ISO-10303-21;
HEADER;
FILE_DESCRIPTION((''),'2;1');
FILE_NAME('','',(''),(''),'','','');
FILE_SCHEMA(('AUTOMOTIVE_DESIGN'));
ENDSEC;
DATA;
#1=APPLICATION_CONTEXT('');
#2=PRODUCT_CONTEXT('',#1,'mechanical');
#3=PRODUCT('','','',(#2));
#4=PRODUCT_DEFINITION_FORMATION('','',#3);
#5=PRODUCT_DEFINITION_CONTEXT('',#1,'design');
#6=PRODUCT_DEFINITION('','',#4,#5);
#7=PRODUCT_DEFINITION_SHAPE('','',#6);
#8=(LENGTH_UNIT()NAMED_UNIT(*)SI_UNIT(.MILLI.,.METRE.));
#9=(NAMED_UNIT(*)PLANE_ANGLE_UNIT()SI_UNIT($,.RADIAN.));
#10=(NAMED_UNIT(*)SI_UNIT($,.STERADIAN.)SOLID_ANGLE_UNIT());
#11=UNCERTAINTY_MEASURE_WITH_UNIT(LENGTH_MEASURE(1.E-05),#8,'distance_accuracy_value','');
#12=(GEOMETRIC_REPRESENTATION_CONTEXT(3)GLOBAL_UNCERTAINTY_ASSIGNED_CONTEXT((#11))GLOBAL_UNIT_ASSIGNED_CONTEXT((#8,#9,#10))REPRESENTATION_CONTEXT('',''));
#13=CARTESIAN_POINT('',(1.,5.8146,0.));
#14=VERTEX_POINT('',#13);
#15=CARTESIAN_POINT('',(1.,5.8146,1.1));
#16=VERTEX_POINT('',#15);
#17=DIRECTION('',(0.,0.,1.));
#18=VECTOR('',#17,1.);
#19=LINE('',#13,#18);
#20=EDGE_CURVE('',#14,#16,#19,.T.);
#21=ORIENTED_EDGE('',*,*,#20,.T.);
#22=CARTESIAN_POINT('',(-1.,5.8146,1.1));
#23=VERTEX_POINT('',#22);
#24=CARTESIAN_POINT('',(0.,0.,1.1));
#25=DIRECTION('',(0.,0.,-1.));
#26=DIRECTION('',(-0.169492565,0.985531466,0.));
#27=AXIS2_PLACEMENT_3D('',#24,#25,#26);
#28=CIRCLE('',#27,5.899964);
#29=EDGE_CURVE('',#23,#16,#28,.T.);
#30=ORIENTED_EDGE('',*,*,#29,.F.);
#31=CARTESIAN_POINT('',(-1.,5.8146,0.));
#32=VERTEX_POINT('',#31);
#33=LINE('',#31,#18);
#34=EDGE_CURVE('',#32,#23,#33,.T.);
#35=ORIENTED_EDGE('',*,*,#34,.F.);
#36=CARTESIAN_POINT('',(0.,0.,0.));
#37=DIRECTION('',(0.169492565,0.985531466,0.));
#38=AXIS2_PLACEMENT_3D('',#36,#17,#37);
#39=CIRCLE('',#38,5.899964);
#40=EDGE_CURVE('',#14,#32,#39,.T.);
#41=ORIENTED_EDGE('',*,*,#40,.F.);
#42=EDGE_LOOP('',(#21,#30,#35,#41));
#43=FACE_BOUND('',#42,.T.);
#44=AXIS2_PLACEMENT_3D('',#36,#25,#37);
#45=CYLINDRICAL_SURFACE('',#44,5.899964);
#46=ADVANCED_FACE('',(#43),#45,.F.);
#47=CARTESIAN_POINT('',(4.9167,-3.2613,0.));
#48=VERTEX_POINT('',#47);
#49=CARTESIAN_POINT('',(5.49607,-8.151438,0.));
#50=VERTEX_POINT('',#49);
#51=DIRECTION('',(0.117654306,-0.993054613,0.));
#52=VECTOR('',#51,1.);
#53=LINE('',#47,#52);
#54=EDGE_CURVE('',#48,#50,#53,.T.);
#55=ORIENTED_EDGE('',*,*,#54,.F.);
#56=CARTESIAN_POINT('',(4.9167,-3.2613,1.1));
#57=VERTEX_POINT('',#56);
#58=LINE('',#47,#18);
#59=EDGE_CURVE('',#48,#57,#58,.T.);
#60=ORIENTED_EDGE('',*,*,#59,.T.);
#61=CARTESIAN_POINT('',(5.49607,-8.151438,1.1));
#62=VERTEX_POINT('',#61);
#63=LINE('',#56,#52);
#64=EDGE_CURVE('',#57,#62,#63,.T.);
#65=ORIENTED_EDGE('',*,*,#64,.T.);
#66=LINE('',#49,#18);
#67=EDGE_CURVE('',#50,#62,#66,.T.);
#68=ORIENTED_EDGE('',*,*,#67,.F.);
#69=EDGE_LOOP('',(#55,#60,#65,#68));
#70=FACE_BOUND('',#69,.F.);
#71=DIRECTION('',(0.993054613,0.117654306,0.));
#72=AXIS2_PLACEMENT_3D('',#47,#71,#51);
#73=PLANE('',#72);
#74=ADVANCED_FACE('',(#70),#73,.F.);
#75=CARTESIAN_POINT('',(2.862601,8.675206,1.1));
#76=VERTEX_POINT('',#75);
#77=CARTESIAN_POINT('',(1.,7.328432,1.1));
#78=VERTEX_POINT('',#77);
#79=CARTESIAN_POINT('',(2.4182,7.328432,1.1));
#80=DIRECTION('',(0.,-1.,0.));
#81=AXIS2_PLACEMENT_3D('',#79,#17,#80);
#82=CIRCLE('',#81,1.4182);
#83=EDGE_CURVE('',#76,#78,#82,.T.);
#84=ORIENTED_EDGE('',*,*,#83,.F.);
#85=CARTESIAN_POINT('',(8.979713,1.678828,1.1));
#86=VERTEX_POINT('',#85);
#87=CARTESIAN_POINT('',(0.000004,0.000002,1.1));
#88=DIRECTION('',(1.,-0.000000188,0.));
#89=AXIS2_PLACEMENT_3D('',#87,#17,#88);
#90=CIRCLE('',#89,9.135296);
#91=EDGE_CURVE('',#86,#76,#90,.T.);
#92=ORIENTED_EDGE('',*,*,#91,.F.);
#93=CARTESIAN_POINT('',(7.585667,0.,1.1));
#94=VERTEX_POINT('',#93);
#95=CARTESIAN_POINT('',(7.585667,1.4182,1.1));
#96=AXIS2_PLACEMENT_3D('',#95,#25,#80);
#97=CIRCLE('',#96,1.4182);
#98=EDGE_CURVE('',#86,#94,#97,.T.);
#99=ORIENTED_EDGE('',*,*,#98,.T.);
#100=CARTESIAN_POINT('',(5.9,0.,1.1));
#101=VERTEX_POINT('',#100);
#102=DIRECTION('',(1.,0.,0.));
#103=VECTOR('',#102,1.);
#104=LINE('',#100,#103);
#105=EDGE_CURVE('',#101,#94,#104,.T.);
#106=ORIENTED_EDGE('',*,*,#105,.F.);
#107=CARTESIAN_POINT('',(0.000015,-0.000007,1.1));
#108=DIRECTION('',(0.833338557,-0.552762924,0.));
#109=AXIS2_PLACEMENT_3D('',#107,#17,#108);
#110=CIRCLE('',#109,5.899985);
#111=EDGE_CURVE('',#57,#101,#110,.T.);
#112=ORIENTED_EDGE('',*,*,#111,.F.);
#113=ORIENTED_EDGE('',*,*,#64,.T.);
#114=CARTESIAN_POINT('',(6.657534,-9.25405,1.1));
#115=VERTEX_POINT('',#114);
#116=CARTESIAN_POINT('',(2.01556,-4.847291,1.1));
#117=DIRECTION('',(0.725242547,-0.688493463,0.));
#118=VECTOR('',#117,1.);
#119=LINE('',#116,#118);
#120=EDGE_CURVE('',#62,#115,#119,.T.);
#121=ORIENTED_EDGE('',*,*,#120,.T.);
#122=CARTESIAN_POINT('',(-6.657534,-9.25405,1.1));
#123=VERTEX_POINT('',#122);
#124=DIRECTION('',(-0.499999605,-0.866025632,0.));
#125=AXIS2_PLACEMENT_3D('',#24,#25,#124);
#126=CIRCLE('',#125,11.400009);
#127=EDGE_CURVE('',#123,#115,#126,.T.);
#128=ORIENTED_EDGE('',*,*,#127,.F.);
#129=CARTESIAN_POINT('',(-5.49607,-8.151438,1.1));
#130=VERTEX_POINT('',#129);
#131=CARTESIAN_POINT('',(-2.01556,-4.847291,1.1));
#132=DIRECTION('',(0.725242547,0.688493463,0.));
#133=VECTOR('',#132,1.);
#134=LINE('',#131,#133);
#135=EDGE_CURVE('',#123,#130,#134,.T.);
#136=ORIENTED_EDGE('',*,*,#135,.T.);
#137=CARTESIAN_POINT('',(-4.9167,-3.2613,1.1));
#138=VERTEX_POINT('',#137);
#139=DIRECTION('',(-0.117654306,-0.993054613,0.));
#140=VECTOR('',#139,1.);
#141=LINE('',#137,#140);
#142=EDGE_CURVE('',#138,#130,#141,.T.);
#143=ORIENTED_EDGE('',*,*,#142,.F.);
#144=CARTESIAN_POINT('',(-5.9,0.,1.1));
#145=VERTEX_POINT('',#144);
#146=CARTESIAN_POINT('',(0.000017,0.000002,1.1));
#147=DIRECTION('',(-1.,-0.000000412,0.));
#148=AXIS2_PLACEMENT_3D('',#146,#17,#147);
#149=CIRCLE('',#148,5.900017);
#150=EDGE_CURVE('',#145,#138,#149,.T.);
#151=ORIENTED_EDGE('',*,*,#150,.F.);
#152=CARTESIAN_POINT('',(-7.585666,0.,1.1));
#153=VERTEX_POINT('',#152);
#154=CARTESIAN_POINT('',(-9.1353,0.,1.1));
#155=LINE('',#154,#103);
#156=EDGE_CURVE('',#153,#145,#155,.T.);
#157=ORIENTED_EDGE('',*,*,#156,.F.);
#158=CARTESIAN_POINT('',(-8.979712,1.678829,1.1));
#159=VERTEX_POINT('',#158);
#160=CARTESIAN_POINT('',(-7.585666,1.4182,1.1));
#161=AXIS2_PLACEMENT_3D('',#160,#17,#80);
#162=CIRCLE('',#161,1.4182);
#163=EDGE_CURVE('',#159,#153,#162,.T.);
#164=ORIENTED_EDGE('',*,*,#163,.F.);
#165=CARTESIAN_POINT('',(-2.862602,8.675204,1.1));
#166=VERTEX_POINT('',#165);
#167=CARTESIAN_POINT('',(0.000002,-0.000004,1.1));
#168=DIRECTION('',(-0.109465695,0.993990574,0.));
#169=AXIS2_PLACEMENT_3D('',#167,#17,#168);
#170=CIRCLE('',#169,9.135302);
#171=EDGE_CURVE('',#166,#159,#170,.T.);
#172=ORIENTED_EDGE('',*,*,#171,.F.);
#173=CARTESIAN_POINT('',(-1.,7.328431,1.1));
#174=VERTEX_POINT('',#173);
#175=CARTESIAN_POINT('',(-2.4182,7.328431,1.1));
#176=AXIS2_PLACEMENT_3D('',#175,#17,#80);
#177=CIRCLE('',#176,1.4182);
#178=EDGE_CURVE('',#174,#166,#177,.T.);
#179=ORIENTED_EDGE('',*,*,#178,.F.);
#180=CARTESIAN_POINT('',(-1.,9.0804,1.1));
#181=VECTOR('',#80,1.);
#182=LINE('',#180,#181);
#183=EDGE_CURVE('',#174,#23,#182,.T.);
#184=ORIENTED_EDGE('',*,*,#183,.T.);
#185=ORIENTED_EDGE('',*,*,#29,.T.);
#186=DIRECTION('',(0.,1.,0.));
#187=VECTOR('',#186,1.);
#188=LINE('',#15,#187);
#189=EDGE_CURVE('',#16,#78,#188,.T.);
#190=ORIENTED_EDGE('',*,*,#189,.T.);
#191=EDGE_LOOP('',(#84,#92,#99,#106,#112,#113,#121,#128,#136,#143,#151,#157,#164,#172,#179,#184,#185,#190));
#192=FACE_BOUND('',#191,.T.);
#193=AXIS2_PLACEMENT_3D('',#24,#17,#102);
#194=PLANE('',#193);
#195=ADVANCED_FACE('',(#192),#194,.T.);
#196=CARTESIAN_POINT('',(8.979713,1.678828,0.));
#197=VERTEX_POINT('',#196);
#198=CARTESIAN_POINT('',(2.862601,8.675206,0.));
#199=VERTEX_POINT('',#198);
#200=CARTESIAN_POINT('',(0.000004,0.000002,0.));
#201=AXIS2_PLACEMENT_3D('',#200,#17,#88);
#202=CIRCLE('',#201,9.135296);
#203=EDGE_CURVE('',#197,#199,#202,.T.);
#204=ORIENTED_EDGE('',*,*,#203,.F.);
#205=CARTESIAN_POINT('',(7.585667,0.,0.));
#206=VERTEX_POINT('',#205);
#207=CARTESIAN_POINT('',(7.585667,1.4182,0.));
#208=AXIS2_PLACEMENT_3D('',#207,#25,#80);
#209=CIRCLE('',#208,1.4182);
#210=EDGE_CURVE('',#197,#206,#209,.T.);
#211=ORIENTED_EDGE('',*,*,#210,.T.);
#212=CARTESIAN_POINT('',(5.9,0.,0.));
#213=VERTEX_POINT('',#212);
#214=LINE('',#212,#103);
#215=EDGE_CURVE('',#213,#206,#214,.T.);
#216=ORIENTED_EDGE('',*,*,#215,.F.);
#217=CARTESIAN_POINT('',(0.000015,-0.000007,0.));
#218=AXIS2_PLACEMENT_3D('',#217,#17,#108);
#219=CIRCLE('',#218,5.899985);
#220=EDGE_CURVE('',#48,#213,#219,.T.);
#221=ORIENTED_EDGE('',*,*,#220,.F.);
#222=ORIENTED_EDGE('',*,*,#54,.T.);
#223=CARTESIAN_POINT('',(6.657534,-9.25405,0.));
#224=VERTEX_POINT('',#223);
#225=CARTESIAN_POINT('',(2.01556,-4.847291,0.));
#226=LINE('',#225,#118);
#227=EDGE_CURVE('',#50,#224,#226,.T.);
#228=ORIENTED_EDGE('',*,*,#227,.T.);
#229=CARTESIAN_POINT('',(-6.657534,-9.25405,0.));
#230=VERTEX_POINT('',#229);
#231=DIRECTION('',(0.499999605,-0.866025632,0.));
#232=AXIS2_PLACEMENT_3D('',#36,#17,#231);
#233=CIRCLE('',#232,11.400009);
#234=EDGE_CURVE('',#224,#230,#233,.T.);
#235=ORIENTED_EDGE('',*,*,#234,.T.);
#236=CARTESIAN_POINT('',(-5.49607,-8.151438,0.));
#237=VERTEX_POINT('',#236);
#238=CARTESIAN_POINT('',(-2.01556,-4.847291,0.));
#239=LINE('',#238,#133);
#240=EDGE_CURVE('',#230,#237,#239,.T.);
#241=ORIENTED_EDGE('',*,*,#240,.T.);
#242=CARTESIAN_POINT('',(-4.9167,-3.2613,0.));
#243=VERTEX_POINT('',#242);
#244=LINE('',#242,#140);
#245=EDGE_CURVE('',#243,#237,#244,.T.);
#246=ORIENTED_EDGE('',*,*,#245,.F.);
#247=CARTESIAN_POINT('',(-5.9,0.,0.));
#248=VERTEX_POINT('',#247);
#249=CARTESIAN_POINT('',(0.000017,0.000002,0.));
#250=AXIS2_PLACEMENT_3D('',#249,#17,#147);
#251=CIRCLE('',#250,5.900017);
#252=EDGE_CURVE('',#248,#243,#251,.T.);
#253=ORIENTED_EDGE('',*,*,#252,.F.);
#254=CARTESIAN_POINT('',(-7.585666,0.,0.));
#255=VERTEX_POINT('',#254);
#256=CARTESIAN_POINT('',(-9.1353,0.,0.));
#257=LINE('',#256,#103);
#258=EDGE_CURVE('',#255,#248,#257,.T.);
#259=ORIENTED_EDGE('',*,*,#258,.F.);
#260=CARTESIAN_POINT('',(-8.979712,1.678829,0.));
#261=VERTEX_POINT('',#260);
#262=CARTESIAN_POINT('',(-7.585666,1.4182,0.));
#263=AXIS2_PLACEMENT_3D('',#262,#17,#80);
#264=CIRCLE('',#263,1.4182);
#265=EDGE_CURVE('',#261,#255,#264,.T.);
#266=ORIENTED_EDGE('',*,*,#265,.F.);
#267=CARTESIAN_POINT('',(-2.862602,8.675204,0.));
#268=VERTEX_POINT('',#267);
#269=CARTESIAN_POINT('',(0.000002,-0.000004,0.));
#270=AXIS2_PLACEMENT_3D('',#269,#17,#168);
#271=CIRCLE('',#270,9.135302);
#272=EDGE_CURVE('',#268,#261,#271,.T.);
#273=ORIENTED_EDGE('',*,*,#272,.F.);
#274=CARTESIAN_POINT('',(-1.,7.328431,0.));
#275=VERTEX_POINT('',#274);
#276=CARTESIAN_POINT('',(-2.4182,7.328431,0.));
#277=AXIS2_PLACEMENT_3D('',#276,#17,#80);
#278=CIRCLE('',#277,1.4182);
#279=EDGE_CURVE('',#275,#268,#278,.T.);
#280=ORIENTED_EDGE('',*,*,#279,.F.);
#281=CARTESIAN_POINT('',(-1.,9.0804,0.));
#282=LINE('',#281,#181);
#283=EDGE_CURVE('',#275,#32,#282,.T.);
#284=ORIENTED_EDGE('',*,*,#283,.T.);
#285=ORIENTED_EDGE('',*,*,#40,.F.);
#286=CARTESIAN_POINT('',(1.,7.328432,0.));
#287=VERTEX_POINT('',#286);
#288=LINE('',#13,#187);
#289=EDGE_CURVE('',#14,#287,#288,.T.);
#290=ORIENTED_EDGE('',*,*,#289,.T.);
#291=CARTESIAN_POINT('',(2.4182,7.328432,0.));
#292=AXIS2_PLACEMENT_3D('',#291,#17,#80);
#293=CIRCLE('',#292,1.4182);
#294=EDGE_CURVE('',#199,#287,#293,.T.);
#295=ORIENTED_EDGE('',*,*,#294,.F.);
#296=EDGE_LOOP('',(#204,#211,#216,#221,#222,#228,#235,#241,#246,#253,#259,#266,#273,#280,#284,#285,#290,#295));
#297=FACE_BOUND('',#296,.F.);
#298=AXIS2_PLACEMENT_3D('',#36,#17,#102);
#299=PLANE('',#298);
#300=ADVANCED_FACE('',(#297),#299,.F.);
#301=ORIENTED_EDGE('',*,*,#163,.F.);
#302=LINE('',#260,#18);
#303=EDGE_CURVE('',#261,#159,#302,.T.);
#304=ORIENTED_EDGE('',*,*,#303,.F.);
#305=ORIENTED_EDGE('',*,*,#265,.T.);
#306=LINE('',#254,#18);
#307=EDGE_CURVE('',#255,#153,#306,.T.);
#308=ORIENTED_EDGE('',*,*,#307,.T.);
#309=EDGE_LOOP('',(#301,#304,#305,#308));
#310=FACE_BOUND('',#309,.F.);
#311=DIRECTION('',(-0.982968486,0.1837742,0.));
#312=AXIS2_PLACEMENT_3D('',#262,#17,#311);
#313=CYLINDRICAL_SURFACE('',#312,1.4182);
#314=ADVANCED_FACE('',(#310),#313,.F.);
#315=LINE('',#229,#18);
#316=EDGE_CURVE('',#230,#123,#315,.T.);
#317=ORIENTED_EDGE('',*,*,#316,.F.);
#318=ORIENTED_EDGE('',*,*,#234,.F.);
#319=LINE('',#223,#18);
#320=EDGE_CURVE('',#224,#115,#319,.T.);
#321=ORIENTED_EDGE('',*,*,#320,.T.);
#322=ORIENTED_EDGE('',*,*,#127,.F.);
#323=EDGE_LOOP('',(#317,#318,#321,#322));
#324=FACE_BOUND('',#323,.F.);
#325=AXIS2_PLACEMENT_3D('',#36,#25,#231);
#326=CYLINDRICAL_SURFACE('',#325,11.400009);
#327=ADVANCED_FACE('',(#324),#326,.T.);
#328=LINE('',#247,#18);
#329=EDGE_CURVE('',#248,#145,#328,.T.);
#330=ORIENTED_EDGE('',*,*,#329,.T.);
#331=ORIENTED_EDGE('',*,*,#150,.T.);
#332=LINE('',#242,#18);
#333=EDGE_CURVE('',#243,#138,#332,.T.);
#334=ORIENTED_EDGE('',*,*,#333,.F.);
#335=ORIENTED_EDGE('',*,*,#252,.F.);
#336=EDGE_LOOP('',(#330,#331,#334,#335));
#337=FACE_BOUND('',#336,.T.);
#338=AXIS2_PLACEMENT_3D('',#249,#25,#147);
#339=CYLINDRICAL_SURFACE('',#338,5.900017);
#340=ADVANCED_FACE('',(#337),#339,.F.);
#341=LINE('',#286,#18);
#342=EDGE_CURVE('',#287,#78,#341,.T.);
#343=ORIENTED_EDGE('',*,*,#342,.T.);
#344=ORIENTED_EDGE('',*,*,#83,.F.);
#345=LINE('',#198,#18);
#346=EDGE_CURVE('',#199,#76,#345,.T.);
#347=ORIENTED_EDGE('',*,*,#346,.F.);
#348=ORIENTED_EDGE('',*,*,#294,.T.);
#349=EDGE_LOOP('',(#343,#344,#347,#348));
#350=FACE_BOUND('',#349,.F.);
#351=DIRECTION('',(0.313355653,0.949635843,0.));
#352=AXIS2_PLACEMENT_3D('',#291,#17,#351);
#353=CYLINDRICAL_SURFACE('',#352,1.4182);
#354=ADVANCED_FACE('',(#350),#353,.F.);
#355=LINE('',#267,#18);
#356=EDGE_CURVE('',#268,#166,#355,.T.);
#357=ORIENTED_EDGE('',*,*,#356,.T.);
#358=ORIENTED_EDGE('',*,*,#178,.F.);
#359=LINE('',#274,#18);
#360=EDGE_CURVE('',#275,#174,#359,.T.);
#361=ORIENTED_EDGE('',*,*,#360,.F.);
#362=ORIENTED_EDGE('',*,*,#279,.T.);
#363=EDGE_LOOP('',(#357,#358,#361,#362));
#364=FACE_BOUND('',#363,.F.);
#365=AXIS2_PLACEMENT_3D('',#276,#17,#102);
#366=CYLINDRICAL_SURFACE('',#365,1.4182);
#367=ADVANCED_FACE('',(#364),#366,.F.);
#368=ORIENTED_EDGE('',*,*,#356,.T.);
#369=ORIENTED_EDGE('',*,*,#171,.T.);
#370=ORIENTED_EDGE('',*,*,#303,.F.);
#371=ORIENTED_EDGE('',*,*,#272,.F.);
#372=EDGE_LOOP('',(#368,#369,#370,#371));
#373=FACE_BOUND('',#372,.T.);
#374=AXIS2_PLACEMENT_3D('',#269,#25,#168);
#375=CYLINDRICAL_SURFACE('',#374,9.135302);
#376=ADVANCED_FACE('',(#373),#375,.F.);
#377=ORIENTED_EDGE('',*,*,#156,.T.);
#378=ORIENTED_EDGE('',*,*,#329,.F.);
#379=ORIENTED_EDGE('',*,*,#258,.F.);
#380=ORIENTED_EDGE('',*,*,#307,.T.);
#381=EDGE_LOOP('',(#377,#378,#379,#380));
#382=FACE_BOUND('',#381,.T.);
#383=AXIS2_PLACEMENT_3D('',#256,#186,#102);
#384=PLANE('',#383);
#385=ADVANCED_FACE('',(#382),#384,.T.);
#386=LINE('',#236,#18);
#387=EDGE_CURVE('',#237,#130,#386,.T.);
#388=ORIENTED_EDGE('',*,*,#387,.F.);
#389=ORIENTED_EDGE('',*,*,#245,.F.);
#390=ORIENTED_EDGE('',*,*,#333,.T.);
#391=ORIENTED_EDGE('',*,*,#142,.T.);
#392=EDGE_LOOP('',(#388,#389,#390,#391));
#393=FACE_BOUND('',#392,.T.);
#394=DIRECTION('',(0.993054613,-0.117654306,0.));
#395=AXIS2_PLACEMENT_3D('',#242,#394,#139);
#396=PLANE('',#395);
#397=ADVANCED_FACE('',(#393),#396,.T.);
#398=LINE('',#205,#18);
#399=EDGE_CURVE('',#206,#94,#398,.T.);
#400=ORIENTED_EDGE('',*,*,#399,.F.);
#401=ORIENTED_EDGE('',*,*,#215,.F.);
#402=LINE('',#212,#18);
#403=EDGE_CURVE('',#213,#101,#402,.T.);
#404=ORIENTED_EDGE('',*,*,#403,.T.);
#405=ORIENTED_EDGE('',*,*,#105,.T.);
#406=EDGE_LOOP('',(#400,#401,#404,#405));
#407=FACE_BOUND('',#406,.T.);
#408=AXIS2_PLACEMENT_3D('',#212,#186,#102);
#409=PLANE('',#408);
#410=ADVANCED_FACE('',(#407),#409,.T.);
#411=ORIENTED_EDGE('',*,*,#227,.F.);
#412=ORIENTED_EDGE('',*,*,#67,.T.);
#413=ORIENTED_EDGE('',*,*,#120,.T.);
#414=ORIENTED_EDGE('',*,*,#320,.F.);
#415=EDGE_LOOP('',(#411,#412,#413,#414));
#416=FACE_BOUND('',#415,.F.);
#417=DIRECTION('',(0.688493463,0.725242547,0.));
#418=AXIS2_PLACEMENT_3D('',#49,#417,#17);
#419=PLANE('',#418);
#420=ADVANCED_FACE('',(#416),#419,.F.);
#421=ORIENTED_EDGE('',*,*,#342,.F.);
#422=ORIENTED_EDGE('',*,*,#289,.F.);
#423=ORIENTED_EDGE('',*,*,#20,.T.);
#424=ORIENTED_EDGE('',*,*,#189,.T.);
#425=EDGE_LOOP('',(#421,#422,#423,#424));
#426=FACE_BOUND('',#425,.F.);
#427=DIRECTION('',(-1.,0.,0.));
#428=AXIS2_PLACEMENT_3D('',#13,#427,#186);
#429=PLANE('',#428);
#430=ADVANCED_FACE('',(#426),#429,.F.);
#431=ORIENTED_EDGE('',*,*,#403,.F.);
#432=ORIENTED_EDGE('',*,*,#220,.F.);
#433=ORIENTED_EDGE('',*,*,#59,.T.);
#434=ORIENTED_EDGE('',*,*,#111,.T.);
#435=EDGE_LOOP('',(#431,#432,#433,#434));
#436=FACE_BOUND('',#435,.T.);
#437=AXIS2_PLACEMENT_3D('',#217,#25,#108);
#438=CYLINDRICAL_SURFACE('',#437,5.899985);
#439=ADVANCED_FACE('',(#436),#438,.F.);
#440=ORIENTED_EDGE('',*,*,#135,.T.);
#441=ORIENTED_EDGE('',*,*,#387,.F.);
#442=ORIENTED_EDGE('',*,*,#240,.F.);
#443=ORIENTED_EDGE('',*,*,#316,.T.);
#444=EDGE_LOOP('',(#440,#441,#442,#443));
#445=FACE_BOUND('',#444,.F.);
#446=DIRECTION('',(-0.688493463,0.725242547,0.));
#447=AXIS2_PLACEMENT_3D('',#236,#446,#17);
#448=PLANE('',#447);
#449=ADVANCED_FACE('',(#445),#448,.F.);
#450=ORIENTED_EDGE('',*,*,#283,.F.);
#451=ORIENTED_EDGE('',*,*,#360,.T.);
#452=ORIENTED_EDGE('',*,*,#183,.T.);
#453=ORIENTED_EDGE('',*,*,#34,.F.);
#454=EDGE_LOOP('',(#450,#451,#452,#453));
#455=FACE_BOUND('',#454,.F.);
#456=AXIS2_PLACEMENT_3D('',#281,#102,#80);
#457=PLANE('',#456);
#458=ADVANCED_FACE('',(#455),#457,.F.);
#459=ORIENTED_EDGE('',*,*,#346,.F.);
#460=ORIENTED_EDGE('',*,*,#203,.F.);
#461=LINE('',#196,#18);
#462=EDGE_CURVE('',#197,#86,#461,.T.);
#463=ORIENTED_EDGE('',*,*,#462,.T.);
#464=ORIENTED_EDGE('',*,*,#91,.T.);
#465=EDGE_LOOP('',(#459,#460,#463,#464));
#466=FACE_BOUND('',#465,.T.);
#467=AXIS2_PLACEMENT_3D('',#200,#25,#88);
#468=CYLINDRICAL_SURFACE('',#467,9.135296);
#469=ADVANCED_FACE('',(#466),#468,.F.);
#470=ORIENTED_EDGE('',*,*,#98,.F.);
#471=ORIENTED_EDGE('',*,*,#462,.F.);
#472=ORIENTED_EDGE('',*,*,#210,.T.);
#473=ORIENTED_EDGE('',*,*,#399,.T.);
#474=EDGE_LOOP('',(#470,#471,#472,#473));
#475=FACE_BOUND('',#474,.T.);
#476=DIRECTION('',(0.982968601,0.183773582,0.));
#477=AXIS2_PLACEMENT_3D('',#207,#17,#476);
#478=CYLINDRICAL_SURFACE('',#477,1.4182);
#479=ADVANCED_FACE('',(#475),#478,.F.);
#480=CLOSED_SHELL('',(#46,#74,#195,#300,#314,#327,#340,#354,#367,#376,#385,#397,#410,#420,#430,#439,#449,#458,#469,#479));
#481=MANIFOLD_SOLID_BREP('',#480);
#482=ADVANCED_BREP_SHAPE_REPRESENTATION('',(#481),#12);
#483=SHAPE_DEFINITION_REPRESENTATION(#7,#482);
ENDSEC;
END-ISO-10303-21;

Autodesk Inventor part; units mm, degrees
ref_plane "YZ Plane" through (0, 0, 0) normal (1, 0, 0) x (0, 1, 0)
ref_plane "XZ Plane" through (0, 0, 0) normal (0, 1, 0) x (-1, 0, 0)
ref_plane "XY Plane" through (0, 0, 0) normal (0, 0, 1) x (1, 0, 0)
sketch "Sketch1" plane through (0, 0, 0) normal (0, 0, 1) x (1, 0, 0)
  point P0 (0, 0)
sketch "Sketch2" plane through (0, 0, 0) normal (0, 0, 1) x (1, 0, 0)
  line L0 (-9.1353, 0) -> (-5.9, 0)
  arc A0 (-1, 9.0804) -> (-9.1353, 0) centre (0, 0) ccw
  line L1 (-1, 9.0804) -> (-1, 5.8146)
  arc A1 (1, 5.8146) -> (-1, 5.8146) centre (0, 0) ccw
  line L2 (1, 5.8146) -> (1, 9.0804)
  arc A2 (9.1353, 0) -> (1, 9.0804) centre (0, 0) ccw
  line L3 (5.9, 0) -> (9.1353, 0)
  arc A3 (4.9167, -3.2613) -> (5.9, 0) centre (0, 0) ccw
  line L4 (4.9167, -3.2613) -> (5.7, -9.8727)
  arc A4 (5.7, -9.8727) -> (-5.7, -9.8727) centre (0, 0) ccw
  line L5 (-4.9167, -3.2613) -> (-5.7, -9.8727)
  arc A5 (-5.9, 0) -> (-4.9167, -3.2613) centre (0, 0) ccw
  line L6 (-16.1, 0) -> (16.1, 0) projected
  line L7 (0, -14.2512) -> (0, 15.7919) projected
  dimension "d1" = 0
  dimension "d3" = 5.9
  dimension "d5" = 11.4
  dimension "d7" = 0
  dimension "d9" = 9.1353
  dimension "d11" = 1
  dimension "d13" = 1
  dimension "d15" = 5.7
  dimension "d17" = 5.7
  dimension "d19" = 9.8333
extrude "Extrusion1" add sketch "Sketch2" along normal blind 1.1 contours L6 A4 L7 A1 L1 A0 | L0 A5 L5 A4 L6 | A4 L6 A2 L2 A1 L7 | L3 L6 A4 L4 A3
fillet "Fillet1" radius 1.4182 4 edges at (-9.1353, 0, 0.55) (-1, 9.0804, 0.55) (1, 9.0804, 0.55) (9.1353, 0, 0.55)
chamfer "Chamfer1" distance 1.14 distance2 1.7333 1 edges at (-5.7, -9.8727, 0.55) measured on face at (9.3111, 6.5775, 0.3667)
chamfer "Chamfer2" distance 1.7333 distance2 1.14 1 edges at (5.7, -9.8727, 0.55) measured on face at (5.4389, -7.6689, 0.3667)
equation "\"d23\" = 0.05 * Diam3"
equation "\"d24\" = 0.222222 * Diam3 - 0.222222 * sd"
equation "\"d25\" = 0.222222 * Diam3 - 0.222222 * sd"
equation "\"d26\" = 0.05 * Diam3"
equation "\"d3\" = 0.5 * Diam"
equation "\"d5\" = 0.5 * Diam3"
equation "\"d9\" = 0.294118 * Diam3 + 0.205882 * Diam"
equation "\"d11\" = 0.0909091 * Diam3 - 0.0909091 * Diam"
equation "\"d13\" = 0.0909091 * Diam3 - 0.0909091 * Diam"
equation "\"d15\" = 0.25 * Diam3"
equation "\"d17\" = 0.25 * Diam3"
equation "\"d19\" = 0.833333 * Diam"
equation "\"d20\" = ParT"
equation "\"d22\" = 0.181818 * Diam3 - 0.181818 * sd"
equation "\"Diam3\" = 22.8"
equation "\"ParT\" = 1.1"
equation "\"Diam\" = 11.8"
equation "\"sd\" = 15"
equation "\"TEMPLATE\" = 1.2345"
properties part number "ANSI B27.7M - 3CMI-15" material "Steel, Mild"
